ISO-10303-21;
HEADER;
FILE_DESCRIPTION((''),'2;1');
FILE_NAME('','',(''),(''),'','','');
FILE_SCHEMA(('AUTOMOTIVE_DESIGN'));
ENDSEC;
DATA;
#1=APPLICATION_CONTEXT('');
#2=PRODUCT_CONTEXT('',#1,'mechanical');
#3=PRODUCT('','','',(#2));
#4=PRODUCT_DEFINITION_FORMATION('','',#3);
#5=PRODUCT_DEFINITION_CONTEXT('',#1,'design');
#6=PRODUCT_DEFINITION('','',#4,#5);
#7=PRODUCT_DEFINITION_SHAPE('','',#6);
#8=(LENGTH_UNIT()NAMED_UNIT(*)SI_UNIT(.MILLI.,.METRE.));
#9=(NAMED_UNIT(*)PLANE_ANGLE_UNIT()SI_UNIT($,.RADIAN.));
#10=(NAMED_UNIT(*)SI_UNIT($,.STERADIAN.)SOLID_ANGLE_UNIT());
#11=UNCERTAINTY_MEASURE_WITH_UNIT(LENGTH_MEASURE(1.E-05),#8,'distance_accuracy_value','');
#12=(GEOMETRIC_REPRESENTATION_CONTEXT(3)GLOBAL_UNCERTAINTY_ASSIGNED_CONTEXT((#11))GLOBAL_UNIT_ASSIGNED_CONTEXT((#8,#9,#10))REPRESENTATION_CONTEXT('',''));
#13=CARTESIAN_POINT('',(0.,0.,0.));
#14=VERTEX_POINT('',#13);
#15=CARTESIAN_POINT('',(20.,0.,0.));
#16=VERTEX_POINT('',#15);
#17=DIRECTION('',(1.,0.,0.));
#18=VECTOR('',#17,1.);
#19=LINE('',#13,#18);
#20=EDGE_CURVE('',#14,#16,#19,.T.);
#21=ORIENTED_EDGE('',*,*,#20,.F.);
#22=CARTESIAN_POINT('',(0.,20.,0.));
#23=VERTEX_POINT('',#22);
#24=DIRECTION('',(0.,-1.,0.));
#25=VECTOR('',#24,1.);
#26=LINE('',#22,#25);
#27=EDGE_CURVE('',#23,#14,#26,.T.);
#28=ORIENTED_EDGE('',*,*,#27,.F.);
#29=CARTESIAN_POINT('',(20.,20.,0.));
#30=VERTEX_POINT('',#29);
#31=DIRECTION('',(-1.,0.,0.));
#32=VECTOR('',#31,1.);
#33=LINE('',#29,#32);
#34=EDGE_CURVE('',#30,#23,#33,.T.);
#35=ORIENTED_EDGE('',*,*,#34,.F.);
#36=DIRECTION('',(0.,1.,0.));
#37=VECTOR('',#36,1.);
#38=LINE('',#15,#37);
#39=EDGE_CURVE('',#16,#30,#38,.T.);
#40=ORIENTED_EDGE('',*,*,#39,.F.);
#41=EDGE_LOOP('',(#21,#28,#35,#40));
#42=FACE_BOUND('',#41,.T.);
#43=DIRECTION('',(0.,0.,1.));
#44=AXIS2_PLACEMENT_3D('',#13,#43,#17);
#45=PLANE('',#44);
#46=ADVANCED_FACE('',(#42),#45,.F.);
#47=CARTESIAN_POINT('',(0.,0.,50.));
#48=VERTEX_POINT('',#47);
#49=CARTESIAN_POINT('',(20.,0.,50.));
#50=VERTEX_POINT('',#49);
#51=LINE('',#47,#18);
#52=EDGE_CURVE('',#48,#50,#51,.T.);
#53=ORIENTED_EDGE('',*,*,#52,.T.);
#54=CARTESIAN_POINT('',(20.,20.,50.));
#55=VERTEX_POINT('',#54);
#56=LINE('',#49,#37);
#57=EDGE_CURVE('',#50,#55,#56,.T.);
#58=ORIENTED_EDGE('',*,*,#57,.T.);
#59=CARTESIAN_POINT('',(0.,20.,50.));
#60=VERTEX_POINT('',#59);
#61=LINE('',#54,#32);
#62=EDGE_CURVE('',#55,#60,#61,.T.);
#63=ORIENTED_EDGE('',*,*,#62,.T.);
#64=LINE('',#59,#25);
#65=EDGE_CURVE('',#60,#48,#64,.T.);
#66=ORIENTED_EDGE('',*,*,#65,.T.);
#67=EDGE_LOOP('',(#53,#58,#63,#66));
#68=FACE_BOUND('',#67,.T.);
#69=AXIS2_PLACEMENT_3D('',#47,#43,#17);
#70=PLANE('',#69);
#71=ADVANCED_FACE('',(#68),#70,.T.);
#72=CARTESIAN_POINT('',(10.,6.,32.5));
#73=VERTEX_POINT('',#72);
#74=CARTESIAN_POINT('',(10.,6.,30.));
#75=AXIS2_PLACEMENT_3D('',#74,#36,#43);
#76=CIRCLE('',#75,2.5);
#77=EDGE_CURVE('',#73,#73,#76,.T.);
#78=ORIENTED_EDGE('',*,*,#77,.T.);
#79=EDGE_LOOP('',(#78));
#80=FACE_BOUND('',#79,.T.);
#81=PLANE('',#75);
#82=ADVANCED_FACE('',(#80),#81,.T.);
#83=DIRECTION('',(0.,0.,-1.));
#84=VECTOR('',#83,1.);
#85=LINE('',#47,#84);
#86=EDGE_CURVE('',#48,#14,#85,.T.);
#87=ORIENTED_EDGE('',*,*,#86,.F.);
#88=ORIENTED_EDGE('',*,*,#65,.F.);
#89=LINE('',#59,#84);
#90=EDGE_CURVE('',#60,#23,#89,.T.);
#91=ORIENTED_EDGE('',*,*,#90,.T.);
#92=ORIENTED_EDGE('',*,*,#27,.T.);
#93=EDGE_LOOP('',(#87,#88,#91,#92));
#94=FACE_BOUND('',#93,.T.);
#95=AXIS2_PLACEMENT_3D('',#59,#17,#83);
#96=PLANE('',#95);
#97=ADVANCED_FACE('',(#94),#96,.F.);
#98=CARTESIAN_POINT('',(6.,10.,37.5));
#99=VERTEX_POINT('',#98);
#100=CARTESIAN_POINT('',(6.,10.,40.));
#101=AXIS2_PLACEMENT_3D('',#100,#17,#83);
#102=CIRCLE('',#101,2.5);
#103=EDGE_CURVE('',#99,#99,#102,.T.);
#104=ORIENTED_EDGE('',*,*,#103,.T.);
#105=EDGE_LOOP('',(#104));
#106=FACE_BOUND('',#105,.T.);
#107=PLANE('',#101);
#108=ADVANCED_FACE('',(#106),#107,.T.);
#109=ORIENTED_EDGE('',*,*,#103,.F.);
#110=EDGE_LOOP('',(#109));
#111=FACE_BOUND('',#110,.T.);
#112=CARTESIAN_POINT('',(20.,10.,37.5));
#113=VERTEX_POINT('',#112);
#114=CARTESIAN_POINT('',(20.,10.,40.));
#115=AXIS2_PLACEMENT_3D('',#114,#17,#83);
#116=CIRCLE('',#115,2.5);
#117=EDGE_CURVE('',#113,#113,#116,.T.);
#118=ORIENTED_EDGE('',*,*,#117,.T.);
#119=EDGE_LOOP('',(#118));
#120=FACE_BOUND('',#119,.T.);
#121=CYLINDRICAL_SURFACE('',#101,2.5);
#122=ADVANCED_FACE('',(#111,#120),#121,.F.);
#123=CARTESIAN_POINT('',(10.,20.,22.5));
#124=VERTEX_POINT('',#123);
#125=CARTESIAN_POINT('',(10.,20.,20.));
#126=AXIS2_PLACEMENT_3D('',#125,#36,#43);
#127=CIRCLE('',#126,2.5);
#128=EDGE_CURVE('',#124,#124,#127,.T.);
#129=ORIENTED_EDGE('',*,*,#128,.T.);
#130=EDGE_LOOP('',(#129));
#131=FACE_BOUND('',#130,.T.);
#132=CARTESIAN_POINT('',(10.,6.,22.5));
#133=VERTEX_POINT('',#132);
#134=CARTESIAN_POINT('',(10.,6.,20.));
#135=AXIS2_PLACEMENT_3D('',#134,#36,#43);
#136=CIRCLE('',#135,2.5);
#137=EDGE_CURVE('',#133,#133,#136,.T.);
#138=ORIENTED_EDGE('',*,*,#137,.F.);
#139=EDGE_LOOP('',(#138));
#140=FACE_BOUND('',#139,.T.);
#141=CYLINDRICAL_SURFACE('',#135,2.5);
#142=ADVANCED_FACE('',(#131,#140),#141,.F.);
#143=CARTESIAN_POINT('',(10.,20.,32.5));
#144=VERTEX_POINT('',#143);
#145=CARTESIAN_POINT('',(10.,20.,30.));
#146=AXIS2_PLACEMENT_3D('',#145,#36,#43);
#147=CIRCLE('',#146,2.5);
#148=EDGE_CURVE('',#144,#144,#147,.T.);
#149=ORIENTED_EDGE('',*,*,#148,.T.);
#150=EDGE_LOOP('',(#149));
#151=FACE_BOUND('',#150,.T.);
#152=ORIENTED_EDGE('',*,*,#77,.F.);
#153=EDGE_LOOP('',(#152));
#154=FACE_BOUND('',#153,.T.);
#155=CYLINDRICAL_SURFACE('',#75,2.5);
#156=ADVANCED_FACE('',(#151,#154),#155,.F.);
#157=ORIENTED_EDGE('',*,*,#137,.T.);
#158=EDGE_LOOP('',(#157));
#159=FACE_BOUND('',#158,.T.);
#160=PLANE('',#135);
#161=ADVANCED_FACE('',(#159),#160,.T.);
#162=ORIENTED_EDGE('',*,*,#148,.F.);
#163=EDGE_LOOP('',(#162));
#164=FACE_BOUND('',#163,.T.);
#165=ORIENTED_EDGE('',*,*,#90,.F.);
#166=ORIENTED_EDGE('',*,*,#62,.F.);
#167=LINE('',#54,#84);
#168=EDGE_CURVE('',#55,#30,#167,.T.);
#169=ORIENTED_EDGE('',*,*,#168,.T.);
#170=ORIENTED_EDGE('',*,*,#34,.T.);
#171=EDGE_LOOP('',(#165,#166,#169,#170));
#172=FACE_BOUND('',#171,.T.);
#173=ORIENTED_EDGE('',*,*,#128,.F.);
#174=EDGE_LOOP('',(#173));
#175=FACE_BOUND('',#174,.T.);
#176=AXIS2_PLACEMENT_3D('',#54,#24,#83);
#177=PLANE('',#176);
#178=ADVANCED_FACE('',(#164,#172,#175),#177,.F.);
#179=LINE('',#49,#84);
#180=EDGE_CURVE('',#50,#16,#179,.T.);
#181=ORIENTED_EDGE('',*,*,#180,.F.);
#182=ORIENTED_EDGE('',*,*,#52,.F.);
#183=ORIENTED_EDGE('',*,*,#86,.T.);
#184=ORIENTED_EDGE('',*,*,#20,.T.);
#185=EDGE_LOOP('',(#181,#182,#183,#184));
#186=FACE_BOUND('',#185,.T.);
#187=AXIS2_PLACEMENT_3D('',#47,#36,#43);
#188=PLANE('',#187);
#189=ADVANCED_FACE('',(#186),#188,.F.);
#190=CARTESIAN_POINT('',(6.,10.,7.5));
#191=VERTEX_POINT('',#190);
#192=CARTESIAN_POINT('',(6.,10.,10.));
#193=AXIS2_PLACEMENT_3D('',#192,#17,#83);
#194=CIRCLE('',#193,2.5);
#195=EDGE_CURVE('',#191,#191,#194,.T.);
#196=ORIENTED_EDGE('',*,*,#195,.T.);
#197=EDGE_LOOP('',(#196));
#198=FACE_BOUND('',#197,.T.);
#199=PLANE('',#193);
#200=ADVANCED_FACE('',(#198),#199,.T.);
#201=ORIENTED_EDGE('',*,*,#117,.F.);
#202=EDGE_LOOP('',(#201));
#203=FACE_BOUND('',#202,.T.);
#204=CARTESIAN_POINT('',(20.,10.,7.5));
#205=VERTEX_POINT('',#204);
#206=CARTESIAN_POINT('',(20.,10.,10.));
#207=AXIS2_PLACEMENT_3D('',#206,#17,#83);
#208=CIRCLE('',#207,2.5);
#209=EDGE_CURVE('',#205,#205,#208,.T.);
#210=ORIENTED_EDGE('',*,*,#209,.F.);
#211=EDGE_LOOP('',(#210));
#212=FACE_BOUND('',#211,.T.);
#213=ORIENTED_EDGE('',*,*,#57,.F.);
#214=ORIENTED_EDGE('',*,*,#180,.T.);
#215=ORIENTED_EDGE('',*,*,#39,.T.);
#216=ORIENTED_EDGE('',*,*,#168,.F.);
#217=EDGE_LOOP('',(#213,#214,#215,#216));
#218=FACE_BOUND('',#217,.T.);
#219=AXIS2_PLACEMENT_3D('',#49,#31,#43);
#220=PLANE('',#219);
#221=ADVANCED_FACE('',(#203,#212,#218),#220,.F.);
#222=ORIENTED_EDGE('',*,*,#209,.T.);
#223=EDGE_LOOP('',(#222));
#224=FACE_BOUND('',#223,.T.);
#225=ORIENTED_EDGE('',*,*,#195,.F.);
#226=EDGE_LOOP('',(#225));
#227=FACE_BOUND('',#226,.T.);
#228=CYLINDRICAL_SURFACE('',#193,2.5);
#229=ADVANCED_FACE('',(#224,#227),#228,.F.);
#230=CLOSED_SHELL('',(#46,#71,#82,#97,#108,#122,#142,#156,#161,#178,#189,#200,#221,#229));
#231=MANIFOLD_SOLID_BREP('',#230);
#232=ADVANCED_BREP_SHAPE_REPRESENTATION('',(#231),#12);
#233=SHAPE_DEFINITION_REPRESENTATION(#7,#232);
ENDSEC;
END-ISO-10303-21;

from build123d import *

# Parameters (mm, degrees)
SKETCH_1_W          = 20
SKETCH_1_H          = 20
EXTRUDE_1_DEPTH     = 50
SKETCH_2_R          = 2.5
CUT_EXTRUDE_1_DEPTH = 14
SKETCH_3_R          = 2.5
CUT_EXTRUDE_2_DEPTH = 14


with BuildPart() as part:
    # 草图1 → 凸台-拉伸1 (new body)
    with BuildSketch(Plane.XY):
        with Locations((10, 10)):
            Rectangle(SKETCH_1_W, SKETCH_1_H)
    extrude(amount=EXTRUDE_1_DEPTH)

    # 草图2 → 切除-拉伸1 (cut)
    with BuildSketch(Plane(origin=(20, 0, 0), x_dir=(0, 0, -1), z_dir=(1, 0, 0))):
        with Locations((-10, 10)):
            Circle(SKETCH_2_R)
        with Locations((-40, 10)):
            Circle(SKETCH_2_R)
    extrude(amount=-CUT_EXTRUDE_1_DEPTH, mode=Mode.SUBTRACT)

    # 草图3 → 切除-拉伸2 (cut)
    with BuildSketch(Plane(origin=(0, 20, 0), x_dir=(1, 0, 0), z_dir=(0, 1, 0))):
        with Locations(Location((10, -20, 0), (0, 0, 270))):
            Circle(SKETCH_3_R)
        with Locations(Location((10, -30, 0), (0, 0, 270))):
            Circle(SKETCH_3_R)
    extrude(amount=-CUT_EXTRUDE_2_DEPTH, mode=Mode.SUBTRACT)


solid = part.part
